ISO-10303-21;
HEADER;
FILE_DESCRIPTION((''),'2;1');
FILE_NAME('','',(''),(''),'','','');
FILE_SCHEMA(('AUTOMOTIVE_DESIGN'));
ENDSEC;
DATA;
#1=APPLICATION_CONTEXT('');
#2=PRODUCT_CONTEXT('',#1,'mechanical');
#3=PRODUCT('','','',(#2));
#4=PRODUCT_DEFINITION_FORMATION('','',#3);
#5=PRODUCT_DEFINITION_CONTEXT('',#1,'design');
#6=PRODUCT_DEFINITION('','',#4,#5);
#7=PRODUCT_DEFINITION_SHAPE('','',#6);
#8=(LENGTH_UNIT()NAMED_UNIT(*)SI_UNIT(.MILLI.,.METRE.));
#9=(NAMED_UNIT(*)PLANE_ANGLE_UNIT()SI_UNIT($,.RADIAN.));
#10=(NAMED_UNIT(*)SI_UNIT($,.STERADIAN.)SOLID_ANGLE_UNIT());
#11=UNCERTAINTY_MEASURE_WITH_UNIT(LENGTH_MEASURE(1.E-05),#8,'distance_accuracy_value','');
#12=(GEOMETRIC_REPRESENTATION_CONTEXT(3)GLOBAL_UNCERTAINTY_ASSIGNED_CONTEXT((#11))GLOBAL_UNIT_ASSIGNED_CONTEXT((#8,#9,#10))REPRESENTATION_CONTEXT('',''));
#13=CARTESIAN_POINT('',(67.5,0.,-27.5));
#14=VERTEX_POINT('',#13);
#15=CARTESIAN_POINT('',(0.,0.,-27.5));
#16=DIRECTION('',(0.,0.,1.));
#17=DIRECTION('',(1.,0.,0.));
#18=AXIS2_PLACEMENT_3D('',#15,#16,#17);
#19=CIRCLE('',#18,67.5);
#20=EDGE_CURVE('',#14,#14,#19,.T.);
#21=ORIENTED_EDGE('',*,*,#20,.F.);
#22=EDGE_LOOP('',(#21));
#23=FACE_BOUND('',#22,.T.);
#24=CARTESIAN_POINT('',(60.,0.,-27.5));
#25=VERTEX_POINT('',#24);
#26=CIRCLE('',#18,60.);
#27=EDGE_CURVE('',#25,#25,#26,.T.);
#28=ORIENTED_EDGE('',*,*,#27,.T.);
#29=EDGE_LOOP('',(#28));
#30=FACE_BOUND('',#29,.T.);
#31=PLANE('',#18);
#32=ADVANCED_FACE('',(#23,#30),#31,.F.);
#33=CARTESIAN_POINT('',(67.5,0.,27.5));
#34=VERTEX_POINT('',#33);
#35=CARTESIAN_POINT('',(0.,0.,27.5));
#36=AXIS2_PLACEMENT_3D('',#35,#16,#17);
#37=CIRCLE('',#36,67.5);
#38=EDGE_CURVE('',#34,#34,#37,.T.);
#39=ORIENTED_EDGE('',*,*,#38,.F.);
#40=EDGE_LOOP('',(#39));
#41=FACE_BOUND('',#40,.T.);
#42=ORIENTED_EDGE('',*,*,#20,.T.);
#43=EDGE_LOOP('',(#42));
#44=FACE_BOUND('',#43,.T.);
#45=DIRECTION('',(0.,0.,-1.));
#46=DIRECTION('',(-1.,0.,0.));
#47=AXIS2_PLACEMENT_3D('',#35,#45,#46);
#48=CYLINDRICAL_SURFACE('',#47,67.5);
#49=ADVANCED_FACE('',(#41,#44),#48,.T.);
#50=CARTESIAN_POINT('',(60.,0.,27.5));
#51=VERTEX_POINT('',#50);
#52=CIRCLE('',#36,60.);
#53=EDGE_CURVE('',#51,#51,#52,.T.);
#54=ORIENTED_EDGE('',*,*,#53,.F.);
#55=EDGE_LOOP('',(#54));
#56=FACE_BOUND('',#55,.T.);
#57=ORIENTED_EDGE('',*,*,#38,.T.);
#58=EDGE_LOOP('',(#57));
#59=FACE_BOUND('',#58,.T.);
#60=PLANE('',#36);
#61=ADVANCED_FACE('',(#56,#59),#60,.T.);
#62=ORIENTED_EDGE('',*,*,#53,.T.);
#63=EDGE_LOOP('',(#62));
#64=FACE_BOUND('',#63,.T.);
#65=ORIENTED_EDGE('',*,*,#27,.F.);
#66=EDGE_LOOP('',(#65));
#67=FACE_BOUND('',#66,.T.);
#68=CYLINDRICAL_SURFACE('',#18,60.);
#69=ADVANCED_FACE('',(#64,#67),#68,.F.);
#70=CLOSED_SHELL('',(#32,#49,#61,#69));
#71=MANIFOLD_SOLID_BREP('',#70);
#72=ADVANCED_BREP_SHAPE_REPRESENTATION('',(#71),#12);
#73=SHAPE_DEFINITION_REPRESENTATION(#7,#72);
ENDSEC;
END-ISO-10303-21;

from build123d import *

# Parameters (mm, degrees)
SKETCH2_R           = 67.5
BOSS_EXTRUDE1_DEPTH = 27.5
SKETCH3_R           = 60
CUT_EXTRUDE1_DEPTH  = 111.170322683


with BuildPart() as part:
    # Sketch2 → Boss-Extrude1 (new, symmetric)
    with BuildSketch(Plane.XY):
        Circle(SKETCH2_R)
    extrude(amount=BOSS_EXTRUDE1_DEPTH, both=True)

    # Sketch3 → Cut-Extrude1 (cut, through all)
    with BuildSketch(Plane.XY.offset(27.5)):
        Circle(SKETCH3_R)
    extrude(amount=-CUT_EXTRUDE1_DEPTH, mode=Mode.SUBTRACT)


solid = part.part
